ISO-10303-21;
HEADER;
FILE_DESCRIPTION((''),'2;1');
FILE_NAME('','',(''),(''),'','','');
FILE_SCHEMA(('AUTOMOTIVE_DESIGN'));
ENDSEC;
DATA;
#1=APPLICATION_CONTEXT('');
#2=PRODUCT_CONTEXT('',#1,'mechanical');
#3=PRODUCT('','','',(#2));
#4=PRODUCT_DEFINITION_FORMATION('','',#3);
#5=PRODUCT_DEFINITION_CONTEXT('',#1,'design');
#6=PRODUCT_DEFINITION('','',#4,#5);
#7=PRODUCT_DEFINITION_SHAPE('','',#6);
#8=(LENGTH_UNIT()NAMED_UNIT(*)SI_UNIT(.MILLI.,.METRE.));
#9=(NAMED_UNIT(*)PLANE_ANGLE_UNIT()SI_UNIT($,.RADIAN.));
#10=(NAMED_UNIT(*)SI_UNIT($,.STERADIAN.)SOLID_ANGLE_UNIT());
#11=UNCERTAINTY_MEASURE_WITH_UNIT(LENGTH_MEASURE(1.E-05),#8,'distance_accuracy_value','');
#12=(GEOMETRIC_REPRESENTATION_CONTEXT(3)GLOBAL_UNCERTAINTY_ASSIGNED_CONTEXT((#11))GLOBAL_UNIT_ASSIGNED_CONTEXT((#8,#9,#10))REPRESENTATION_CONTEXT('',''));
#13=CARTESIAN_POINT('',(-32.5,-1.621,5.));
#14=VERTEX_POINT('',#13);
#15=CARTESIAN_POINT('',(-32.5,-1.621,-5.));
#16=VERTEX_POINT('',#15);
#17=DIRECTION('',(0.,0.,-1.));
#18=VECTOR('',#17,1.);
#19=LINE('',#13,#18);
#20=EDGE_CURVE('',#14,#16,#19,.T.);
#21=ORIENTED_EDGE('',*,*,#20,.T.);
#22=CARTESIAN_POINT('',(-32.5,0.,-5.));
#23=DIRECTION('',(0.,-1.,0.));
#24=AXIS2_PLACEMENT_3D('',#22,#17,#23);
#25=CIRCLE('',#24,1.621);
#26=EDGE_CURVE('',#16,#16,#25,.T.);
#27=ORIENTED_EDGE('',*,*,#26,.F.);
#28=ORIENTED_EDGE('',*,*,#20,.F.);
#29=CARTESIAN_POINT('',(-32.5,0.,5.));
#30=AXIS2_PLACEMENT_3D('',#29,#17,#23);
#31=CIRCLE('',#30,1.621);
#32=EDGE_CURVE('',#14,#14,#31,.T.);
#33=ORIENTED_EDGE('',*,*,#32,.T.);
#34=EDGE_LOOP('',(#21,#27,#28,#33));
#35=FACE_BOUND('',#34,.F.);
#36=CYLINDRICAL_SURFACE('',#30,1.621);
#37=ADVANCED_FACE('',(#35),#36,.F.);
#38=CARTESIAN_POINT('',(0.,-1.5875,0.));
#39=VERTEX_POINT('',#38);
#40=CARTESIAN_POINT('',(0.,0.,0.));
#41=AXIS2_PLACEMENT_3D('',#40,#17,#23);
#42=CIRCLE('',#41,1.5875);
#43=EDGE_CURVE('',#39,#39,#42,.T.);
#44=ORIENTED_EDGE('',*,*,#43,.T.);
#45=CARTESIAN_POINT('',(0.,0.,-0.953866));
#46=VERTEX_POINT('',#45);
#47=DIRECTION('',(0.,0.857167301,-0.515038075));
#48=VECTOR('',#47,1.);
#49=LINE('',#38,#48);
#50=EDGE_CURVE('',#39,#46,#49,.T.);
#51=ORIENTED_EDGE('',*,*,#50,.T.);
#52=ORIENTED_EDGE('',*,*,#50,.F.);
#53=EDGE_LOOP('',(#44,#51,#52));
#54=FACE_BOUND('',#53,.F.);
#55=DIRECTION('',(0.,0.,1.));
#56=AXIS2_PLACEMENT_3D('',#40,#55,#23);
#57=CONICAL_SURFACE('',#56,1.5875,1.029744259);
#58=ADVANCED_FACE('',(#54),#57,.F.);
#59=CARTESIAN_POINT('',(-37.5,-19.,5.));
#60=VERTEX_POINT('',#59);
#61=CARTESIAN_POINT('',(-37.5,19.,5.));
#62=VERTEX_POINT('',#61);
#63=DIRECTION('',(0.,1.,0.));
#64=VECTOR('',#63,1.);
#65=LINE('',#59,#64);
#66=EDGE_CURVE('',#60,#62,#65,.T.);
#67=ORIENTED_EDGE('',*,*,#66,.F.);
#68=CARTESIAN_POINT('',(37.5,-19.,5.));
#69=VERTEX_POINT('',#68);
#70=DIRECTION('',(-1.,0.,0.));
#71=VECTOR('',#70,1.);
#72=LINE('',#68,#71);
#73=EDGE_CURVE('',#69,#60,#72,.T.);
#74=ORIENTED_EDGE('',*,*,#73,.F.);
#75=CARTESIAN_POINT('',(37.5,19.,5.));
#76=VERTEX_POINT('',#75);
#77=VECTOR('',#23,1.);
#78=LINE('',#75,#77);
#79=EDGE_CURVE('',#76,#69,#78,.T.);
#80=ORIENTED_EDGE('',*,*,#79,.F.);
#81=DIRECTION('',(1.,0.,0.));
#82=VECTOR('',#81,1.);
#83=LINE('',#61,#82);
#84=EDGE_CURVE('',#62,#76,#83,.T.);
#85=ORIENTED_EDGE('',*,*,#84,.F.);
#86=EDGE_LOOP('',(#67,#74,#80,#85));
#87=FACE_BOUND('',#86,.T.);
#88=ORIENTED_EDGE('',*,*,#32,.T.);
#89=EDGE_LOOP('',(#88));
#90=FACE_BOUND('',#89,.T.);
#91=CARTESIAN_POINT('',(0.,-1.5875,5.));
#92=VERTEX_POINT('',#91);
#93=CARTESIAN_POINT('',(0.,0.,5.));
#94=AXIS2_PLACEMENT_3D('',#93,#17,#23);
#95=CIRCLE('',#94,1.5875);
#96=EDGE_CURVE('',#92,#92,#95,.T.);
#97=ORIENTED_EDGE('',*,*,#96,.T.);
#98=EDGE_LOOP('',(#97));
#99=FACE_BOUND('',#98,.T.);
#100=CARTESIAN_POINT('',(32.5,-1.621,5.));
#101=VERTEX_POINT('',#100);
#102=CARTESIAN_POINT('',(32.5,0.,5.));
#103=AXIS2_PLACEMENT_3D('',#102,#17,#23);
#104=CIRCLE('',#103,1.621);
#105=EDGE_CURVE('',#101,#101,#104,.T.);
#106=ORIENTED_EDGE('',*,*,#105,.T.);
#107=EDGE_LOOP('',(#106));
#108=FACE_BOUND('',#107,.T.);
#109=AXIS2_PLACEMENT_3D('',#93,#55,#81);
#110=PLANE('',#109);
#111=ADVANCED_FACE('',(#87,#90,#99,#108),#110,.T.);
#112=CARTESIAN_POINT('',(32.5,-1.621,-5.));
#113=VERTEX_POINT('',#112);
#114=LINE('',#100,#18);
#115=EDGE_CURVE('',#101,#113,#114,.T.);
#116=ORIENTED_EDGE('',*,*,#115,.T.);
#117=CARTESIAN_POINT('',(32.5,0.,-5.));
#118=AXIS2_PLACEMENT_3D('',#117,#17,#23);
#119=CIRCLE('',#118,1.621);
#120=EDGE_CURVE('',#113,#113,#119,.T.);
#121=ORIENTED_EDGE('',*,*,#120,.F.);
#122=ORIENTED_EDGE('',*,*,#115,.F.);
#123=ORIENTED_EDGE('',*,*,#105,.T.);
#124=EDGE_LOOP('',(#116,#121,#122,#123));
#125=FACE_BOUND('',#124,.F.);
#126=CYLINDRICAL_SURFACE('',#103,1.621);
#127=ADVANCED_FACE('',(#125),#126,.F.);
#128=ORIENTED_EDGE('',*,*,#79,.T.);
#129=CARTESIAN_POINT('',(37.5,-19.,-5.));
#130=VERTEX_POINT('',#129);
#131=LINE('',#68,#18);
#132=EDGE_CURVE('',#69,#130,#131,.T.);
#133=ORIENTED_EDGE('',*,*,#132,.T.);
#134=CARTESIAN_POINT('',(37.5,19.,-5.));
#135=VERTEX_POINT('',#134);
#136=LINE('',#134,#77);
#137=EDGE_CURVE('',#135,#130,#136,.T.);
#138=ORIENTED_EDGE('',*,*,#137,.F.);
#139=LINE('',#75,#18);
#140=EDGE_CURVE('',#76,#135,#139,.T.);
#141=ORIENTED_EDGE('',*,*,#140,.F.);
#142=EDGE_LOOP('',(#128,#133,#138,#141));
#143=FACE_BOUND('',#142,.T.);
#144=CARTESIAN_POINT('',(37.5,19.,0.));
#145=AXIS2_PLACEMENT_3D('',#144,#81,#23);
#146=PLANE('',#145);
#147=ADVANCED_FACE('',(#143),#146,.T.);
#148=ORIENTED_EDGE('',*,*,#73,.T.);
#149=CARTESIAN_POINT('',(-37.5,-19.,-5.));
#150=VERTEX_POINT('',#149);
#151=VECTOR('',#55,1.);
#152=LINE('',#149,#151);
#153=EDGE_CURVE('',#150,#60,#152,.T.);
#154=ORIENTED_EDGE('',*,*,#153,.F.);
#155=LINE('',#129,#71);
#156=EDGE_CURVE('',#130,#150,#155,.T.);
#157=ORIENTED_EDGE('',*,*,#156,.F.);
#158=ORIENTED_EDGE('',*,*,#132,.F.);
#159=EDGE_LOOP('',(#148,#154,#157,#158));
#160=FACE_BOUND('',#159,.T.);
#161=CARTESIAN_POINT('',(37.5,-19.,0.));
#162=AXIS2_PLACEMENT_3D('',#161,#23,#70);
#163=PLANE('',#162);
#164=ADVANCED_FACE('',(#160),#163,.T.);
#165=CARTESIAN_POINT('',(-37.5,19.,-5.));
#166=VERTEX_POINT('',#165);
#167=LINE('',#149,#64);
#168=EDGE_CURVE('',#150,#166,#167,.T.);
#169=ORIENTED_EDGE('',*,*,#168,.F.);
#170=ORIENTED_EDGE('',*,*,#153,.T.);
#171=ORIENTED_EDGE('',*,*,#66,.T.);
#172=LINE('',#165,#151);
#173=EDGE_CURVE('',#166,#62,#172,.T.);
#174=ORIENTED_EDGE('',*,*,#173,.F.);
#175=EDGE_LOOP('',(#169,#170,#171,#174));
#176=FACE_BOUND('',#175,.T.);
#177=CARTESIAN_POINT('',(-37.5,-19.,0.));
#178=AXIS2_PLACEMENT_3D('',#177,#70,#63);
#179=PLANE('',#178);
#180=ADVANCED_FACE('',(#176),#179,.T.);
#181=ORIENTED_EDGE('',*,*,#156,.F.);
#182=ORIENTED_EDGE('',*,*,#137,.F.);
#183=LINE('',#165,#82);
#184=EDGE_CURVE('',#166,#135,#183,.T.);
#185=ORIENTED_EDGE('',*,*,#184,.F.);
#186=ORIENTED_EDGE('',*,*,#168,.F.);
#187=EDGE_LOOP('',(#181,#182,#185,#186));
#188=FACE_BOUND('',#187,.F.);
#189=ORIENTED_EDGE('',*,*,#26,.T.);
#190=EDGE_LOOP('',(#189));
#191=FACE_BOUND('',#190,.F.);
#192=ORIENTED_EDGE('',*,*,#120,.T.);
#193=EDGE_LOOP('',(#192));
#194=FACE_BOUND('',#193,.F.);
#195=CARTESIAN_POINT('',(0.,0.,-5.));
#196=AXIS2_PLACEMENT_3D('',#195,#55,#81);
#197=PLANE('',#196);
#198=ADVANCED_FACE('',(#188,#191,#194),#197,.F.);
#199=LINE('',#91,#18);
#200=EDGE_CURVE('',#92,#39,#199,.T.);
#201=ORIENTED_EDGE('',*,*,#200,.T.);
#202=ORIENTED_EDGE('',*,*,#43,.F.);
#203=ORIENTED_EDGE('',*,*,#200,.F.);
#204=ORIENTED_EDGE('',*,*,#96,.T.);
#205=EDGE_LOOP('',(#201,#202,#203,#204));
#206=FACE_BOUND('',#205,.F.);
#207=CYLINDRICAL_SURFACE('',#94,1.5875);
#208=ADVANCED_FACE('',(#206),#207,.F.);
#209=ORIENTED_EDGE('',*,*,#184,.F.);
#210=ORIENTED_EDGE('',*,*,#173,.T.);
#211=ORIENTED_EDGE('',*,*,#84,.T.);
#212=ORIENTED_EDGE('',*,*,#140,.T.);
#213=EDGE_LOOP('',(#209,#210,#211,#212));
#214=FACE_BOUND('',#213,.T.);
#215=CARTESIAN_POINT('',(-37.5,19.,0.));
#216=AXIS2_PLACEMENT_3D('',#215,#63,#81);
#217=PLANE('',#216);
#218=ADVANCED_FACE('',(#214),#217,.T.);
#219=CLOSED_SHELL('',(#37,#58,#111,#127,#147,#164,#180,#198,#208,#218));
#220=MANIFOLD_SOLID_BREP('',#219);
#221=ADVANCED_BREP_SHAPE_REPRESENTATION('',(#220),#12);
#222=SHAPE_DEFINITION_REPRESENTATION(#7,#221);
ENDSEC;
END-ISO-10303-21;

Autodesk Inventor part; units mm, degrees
ref_plane "YZ Plane" through (0, 0, 0) normal (1, 0, 0) x (0, 1, 0)
ref_plane "XZ Plane" through (0, 0, 0) normal (0, 1, 0) x (-1, 0, 0)
ref_plane "XY Plane" through (0, 0, 0) normal (0, 0, 1) x (1, 0, 0)
sketch "Sketch1" plane through (0, 0, 0) normal (0, 0, 1) x (1, 0, 0)
  line L0 (-37.5, 19) -> (37.5, 19)
  line L1 (37.5, 19) -> (37.5, -19)
  line L2 (37.5, -19) -> (-37.5, -19)
  line L3 (-37.5, -19) -> (-37.5, 19)
  line L4 (-37.5, 19) -> (37.5, -19) construction
  line L5 (37.5, 19) -> (-37.5, -19) construction
  point P0 (0, 0)
  dimension "d2" = 38
  dimension "d3" = 75
extrude "Extrusion1" add sketch "Sketch1" along normal mid plane 10
sketch "Sketch3" plane through (0, 0, 5) normal (0, 0, 1) x (1, 0, 0)
  point P0 (0, 0)
  point P1 (0, 0)
hole "Hole2" at (0, 0, 5) direction (0, 0, -1) diameter 3.175 depth 5 tip angle 118
sketch "Sketch4" plane through (0, 0, 5) normal (0, 0, 1) x (1, 0, 0)
  line L0 (-37.5, 19) -> (-37.5, -19) projected
  circle A0 centre (0, 0) radius 1.5875 projected
  line L1 (-37.5, -19) -> (37.5, -19) projected
  line L2 (37.5, -19) -> (37.5, 19) projected
  line L3 (37.5, 19) -> (-37.5, 19) projected
  line L4 (-37.5, 19) -> (-37.5, -19) projected
  point P0 (-32.5, 0)
  point P1 (32.5, 0)
  dimension "d76" = 5
  dimension "d79" = 65
hole "Hole3" at (-32.5, 0, 5) at (32.5, 0, 5) direction (0, 0, -1) diameter 3.242 end through all thread size "M4x0.7" class "6H" standard "ANSI Metric M Profile"
properties part number "baseblock"
